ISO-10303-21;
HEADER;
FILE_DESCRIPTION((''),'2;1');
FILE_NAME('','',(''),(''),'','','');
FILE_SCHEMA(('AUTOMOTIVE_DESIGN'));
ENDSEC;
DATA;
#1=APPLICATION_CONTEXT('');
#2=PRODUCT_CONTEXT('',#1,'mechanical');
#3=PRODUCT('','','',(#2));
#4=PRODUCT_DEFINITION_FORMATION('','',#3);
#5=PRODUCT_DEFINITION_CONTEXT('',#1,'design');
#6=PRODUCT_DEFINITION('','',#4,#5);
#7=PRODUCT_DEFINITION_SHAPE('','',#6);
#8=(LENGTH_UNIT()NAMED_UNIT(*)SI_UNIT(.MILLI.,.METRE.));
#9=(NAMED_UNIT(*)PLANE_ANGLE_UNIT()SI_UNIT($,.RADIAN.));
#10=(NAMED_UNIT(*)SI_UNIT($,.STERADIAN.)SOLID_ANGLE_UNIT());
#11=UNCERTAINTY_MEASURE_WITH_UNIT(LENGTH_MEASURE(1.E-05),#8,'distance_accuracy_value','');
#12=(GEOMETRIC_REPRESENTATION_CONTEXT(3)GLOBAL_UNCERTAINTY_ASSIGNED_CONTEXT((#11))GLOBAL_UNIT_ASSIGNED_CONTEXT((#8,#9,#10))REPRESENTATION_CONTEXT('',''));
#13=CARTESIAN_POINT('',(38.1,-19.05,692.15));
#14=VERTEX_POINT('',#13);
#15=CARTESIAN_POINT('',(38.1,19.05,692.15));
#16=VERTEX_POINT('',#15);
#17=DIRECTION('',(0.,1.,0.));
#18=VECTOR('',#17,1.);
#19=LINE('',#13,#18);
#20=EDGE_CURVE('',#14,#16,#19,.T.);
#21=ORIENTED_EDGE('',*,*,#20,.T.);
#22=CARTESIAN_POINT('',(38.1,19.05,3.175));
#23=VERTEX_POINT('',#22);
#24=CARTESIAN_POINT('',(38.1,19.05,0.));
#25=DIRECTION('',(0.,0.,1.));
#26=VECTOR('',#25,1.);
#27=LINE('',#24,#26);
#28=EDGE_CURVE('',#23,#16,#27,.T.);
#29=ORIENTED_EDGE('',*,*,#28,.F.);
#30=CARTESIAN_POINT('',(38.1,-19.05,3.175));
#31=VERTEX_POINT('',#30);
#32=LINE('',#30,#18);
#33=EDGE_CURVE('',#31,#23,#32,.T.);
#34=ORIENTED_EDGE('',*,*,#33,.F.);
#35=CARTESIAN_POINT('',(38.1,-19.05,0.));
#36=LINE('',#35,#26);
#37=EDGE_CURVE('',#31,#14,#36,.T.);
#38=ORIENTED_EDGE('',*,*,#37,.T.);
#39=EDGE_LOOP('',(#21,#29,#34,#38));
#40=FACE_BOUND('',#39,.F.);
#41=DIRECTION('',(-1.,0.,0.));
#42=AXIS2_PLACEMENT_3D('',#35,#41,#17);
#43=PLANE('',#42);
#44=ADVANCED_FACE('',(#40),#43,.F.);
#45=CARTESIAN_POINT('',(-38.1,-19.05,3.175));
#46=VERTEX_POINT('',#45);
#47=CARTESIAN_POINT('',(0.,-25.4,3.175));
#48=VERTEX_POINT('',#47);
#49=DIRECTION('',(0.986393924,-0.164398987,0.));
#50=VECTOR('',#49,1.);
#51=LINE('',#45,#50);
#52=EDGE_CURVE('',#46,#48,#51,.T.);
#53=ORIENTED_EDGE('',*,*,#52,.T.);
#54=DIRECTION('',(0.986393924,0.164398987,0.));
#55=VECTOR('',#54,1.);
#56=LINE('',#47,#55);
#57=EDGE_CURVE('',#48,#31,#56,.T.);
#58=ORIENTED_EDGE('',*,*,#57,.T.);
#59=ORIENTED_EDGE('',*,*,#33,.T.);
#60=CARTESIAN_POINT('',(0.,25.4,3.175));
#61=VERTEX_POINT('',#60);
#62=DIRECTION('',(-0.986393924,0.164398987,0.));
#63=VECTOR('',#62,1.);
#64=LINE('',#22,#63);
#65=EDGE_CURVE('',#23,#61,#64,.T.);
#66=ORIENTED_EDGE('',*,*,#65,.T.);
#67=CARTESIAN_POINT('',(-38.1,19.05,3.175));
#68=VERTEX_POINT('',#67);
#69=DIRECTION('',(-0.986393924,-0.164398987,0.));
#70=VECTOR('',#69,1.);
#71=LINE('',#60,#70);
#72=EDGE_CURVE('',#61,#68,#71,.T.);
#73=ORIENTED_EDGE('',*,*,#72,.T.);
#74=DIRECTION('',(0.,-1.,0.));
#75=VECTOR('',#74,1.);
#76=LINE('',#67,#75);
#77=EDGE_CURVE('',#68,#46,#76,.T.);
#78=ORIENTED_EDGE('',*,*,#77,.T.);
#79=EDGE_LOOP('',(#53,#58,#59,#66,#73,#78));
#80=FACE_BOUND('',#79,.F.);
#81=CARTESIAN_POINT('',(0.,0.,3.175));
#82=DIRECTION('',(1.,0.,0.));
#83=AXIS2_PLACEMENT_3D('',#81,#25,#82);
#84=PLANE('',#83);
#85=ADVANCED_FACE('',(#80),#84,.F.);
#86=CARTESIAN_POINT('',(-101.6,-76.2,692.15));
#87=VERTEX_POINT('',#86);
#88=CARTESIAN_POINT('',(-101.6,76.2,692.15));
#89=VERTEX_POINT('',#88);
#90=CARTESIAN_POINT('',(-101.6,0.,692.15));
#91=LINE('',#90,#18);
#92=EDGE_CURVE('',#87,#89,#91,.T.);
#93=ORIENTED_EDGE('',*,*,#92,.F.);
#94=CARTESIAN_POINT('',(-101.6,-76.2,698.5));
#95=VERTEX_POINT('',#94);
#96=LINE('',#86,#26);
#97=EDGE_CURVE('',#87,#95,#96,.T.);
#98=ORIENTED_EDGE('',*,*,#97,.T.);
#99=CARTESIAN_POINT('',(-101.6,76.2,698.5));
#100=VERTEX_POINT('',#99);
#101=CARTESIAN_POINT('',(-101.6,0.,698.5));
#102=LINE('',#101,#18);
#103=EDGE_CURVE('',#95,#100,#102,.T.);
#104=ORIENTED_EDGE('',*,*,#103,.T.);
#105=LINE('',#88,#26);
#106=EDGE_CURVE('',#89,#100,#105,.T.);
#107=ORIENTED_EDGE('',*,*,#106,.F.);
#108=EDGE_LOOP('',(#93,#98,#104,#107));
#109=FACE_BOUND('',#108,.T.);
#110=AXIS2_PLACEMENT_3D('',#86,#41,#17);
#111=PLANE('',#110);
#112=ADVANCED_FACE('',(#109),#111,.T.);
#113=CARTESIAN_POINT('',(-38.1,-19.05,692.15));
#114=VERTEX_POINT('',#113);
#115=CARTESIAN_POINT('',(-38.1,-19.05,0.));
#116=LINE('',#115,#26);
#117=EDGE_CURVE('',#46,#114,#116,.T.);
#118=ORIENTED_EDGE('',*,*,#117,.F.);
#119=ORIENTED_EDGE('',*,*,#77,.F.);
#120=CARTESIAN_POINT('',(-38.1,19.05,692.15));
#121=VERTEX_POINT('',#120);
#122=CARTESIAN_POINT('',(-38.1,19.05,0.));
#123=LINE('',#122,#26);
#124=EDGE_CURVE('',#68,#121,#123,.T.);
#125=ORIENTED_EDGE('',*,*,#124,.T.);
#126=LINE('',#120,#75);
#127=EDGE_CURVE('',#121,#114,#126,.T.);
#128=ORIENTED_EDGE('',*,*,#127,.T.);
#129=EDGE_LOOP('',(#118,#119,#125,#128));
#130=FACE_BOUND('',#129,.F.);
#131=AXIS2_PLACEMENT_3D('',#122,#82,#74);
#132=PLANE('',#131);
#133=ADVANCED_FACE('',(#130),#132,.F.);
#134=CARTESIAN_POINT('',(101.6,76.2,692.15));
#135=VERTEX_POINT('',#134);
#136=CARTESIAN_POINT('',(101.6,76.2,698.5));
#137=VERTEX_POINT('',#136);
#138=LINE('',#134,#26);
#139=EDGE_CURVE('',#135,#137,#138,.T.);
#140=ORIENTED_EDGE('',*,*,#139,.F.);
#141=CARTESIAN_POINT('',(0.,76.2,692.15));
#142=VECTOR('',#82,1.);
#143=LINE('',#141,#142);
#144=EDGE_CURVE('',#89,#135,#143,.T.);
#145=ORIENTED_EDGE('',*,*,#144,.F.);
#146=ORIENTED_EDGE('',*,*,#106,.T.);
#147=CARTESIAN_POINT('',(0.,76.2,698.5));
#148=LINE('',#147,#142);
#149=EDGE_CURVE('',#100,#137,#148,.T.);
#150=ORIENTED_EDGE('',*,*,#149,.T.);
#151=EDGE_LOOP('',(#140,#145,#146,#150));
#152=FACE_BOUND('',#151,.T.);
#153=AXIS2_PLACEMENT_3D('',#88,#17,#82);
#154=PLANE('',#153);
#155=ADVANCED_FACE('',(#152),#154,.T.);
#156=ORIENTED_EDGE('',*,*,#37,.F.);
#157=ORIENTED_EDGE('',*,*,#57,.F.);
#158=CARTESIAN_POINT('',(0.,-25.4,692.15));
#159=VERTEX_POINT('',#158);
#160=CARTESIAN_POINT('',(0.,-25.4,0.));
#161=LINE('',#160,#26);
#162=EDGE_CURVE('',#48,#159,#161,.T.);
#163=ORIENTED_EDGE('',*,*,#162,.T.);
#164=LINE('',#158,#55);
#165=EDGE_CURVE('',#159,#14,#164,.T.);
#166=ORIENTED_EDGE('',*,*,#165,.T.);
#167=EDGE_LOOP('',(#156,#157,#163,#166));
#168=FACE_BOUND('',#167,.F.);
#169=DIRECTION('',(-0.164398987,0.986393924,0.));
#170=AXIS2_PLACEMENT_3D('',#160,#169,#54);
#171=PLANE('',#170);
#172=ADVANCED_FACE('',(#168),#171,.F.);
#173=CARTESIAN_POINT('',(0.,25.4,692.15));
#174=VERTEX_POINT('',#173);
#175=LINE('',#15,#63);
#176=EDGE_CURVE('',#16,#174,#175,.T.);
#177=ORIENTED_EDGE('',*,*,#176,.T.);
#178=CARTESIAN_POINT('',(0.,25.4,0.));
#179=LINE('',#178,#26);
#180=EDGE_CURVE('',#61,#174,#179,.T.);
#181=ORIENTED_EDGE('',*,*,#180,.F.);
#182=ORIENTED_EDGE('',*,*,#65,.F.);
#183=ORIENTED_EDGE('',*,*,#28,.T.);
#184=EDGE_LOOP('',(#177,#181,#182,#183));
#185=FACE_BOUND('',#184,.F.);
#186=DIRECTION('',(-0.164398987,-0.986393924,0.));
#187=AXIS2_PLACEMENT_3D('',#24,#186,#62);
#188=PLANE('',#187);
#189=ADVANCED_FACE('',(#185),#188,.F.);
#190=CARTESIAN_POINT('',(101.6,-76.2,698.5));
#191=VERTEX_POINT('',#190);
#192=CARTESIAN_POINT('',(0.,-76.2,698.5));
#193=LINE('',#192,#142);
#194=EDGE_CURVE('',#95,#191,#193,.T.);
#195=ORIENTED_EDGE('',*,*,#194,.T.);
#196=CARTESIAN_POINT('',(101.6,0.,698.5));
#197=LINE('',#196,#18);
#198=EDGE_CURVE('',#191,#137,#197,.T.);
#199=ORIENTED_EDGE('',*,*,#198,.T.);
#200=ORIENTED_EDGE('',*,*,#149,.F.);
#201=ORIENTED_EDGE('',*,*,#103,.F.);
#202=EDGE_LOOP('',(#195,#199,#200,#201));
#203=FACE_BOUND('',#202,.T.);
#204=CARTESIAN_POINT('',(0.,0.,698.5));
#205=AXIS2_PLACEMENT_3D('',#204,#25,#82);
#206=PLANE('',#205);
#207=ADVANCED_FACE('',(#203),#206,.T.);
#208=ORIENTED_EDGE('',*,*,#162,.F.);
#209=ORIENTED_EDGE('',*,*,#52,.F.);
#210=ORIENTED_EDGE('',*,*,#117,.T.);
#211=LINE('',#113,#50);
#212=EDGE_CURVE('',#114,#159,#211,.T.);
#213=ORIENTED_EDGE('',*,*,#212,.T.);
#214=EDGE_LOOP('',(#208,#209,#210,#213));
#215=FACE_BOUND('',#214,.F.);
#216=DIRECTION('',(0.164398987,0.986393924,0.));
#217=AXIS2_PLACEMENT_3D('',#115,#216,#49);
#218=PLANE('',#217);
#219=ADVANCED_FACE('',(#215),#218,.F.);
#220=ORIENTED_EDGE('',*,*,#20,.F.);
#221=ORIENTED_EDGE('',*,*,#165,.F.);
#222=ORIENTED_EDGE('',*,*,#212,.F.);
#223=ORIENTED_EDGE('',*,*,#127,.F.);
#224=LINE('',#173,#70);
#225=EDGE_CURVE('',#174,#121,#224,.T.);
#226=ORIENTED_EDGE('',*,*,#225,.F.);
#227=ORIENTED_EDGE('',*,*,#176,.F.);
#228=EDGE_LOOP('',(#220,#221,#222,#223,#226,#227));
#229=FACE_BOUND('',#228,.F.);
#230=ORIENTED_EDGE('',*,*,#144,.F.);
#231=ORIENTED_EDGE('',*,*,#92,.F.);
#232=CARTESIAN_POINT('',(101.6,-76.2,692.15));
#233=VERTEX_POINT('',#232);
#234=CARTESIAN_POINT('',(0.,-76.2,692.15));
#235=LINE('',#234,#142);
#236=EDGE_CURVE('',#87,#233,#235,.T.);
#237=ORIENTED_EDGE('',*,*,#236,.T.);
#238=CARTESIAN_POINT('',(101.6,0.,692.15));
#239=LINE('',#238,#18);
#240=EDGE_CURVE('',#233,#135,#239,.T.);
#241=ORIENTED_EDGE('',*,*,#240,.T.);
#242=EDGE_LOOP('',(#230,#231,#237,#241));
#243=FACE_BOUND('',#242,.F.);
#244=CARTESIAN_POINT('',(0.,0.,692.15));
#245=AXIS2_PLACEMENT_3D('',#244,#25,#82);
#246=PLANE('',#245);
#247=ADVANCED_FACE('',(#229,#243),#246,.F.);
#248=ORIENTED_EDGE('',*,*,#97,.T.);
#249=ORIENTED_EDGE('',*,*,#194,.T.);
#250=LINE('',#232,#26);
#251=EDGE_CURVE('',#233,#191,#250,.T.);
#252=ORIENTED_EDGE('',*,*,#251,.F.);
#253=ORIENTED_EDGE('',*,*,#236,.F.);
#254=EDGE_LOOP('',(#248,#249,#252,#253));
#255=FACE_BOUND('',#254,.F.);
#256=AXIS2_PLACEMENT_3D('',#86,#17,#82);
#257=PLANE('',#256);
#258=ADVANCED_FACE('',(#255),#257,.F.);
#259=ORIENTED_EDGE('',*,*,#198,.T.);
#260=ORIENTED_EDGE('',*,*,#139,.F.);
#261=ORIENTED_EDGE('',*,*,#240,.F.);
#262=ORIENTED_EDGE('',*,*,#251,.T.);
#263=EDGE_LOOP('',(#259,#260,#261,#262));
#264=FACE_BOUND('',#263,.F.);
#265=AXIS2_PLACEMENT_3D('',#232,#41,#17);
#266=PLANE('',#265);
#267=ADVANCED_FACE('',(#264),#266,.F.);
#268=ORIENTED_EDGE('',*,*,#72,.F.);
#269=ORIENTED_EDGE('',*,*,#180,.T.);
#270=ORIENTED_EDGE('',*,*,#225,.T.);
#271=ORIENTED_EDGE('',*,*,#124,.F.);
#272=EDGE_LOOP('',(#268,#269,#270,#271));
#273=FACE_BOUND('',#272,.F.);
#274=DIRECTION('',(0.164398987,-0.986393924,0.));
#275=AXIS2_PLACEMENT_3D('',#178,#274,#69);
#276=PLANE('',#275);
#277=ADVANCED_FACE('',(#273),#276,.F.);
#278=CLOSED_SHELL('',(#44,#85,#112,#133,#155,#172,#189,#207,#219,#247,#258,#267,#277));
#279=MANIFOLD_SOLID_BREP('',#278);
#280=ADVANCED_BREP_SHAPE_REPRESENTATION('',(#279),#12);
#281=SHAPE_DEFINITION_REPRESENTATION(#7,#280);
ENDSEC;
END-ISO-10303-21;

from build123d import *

# Parameters (mm, degrees)
F1_DEPTH = 692.15
F2_W     = 203.2
F2_H     = 152.4
F3_DEPTH = 6.35
F4_DEPTH = 3.175


with BuildPart() as f1:
    # F0 (on Top) → F1 (new body)
    with BuildSketch(Plane.XY):
        Polygon((38.1, 19.05), (0, 25.4), (-38.1, 19.05), (-38.1, -19.05), (0, -25.4), (38.1, -19.05), align=None)
    extrude(amount=F1_DEPTH)

    # F2 (on face) → F3 (join)
    with BuildSketch(Plane.XY.offset(692.15)):
        Rectangle(F2_W, F2_H)
        Polygon((38.1, 19.05), (38.1, -19.05), (0, -25.4), (-38.1, -19.05), (-38.1, 19.05), (0, 25.4), align=None, mode=Mode.SUBTRACT)
        Polygon((0, -25.4), (38.1, -19.05), (38.1, 19.05), (0, 25.4), (-38.1, 19.05), (-38.1, -19.05), align=None)
    extrude(amount=F3_DEPTH)

    # F4 (cut): a face of the model
    f4_faces = [f1.faces().sort_by_distance(p)[0] for p in [
        (0, 0, 0),
    ]]
    extrude(f4_faces, amount=-F4_DEPTH, mode=Mode.SUBTRACT)


solid = f1.part
